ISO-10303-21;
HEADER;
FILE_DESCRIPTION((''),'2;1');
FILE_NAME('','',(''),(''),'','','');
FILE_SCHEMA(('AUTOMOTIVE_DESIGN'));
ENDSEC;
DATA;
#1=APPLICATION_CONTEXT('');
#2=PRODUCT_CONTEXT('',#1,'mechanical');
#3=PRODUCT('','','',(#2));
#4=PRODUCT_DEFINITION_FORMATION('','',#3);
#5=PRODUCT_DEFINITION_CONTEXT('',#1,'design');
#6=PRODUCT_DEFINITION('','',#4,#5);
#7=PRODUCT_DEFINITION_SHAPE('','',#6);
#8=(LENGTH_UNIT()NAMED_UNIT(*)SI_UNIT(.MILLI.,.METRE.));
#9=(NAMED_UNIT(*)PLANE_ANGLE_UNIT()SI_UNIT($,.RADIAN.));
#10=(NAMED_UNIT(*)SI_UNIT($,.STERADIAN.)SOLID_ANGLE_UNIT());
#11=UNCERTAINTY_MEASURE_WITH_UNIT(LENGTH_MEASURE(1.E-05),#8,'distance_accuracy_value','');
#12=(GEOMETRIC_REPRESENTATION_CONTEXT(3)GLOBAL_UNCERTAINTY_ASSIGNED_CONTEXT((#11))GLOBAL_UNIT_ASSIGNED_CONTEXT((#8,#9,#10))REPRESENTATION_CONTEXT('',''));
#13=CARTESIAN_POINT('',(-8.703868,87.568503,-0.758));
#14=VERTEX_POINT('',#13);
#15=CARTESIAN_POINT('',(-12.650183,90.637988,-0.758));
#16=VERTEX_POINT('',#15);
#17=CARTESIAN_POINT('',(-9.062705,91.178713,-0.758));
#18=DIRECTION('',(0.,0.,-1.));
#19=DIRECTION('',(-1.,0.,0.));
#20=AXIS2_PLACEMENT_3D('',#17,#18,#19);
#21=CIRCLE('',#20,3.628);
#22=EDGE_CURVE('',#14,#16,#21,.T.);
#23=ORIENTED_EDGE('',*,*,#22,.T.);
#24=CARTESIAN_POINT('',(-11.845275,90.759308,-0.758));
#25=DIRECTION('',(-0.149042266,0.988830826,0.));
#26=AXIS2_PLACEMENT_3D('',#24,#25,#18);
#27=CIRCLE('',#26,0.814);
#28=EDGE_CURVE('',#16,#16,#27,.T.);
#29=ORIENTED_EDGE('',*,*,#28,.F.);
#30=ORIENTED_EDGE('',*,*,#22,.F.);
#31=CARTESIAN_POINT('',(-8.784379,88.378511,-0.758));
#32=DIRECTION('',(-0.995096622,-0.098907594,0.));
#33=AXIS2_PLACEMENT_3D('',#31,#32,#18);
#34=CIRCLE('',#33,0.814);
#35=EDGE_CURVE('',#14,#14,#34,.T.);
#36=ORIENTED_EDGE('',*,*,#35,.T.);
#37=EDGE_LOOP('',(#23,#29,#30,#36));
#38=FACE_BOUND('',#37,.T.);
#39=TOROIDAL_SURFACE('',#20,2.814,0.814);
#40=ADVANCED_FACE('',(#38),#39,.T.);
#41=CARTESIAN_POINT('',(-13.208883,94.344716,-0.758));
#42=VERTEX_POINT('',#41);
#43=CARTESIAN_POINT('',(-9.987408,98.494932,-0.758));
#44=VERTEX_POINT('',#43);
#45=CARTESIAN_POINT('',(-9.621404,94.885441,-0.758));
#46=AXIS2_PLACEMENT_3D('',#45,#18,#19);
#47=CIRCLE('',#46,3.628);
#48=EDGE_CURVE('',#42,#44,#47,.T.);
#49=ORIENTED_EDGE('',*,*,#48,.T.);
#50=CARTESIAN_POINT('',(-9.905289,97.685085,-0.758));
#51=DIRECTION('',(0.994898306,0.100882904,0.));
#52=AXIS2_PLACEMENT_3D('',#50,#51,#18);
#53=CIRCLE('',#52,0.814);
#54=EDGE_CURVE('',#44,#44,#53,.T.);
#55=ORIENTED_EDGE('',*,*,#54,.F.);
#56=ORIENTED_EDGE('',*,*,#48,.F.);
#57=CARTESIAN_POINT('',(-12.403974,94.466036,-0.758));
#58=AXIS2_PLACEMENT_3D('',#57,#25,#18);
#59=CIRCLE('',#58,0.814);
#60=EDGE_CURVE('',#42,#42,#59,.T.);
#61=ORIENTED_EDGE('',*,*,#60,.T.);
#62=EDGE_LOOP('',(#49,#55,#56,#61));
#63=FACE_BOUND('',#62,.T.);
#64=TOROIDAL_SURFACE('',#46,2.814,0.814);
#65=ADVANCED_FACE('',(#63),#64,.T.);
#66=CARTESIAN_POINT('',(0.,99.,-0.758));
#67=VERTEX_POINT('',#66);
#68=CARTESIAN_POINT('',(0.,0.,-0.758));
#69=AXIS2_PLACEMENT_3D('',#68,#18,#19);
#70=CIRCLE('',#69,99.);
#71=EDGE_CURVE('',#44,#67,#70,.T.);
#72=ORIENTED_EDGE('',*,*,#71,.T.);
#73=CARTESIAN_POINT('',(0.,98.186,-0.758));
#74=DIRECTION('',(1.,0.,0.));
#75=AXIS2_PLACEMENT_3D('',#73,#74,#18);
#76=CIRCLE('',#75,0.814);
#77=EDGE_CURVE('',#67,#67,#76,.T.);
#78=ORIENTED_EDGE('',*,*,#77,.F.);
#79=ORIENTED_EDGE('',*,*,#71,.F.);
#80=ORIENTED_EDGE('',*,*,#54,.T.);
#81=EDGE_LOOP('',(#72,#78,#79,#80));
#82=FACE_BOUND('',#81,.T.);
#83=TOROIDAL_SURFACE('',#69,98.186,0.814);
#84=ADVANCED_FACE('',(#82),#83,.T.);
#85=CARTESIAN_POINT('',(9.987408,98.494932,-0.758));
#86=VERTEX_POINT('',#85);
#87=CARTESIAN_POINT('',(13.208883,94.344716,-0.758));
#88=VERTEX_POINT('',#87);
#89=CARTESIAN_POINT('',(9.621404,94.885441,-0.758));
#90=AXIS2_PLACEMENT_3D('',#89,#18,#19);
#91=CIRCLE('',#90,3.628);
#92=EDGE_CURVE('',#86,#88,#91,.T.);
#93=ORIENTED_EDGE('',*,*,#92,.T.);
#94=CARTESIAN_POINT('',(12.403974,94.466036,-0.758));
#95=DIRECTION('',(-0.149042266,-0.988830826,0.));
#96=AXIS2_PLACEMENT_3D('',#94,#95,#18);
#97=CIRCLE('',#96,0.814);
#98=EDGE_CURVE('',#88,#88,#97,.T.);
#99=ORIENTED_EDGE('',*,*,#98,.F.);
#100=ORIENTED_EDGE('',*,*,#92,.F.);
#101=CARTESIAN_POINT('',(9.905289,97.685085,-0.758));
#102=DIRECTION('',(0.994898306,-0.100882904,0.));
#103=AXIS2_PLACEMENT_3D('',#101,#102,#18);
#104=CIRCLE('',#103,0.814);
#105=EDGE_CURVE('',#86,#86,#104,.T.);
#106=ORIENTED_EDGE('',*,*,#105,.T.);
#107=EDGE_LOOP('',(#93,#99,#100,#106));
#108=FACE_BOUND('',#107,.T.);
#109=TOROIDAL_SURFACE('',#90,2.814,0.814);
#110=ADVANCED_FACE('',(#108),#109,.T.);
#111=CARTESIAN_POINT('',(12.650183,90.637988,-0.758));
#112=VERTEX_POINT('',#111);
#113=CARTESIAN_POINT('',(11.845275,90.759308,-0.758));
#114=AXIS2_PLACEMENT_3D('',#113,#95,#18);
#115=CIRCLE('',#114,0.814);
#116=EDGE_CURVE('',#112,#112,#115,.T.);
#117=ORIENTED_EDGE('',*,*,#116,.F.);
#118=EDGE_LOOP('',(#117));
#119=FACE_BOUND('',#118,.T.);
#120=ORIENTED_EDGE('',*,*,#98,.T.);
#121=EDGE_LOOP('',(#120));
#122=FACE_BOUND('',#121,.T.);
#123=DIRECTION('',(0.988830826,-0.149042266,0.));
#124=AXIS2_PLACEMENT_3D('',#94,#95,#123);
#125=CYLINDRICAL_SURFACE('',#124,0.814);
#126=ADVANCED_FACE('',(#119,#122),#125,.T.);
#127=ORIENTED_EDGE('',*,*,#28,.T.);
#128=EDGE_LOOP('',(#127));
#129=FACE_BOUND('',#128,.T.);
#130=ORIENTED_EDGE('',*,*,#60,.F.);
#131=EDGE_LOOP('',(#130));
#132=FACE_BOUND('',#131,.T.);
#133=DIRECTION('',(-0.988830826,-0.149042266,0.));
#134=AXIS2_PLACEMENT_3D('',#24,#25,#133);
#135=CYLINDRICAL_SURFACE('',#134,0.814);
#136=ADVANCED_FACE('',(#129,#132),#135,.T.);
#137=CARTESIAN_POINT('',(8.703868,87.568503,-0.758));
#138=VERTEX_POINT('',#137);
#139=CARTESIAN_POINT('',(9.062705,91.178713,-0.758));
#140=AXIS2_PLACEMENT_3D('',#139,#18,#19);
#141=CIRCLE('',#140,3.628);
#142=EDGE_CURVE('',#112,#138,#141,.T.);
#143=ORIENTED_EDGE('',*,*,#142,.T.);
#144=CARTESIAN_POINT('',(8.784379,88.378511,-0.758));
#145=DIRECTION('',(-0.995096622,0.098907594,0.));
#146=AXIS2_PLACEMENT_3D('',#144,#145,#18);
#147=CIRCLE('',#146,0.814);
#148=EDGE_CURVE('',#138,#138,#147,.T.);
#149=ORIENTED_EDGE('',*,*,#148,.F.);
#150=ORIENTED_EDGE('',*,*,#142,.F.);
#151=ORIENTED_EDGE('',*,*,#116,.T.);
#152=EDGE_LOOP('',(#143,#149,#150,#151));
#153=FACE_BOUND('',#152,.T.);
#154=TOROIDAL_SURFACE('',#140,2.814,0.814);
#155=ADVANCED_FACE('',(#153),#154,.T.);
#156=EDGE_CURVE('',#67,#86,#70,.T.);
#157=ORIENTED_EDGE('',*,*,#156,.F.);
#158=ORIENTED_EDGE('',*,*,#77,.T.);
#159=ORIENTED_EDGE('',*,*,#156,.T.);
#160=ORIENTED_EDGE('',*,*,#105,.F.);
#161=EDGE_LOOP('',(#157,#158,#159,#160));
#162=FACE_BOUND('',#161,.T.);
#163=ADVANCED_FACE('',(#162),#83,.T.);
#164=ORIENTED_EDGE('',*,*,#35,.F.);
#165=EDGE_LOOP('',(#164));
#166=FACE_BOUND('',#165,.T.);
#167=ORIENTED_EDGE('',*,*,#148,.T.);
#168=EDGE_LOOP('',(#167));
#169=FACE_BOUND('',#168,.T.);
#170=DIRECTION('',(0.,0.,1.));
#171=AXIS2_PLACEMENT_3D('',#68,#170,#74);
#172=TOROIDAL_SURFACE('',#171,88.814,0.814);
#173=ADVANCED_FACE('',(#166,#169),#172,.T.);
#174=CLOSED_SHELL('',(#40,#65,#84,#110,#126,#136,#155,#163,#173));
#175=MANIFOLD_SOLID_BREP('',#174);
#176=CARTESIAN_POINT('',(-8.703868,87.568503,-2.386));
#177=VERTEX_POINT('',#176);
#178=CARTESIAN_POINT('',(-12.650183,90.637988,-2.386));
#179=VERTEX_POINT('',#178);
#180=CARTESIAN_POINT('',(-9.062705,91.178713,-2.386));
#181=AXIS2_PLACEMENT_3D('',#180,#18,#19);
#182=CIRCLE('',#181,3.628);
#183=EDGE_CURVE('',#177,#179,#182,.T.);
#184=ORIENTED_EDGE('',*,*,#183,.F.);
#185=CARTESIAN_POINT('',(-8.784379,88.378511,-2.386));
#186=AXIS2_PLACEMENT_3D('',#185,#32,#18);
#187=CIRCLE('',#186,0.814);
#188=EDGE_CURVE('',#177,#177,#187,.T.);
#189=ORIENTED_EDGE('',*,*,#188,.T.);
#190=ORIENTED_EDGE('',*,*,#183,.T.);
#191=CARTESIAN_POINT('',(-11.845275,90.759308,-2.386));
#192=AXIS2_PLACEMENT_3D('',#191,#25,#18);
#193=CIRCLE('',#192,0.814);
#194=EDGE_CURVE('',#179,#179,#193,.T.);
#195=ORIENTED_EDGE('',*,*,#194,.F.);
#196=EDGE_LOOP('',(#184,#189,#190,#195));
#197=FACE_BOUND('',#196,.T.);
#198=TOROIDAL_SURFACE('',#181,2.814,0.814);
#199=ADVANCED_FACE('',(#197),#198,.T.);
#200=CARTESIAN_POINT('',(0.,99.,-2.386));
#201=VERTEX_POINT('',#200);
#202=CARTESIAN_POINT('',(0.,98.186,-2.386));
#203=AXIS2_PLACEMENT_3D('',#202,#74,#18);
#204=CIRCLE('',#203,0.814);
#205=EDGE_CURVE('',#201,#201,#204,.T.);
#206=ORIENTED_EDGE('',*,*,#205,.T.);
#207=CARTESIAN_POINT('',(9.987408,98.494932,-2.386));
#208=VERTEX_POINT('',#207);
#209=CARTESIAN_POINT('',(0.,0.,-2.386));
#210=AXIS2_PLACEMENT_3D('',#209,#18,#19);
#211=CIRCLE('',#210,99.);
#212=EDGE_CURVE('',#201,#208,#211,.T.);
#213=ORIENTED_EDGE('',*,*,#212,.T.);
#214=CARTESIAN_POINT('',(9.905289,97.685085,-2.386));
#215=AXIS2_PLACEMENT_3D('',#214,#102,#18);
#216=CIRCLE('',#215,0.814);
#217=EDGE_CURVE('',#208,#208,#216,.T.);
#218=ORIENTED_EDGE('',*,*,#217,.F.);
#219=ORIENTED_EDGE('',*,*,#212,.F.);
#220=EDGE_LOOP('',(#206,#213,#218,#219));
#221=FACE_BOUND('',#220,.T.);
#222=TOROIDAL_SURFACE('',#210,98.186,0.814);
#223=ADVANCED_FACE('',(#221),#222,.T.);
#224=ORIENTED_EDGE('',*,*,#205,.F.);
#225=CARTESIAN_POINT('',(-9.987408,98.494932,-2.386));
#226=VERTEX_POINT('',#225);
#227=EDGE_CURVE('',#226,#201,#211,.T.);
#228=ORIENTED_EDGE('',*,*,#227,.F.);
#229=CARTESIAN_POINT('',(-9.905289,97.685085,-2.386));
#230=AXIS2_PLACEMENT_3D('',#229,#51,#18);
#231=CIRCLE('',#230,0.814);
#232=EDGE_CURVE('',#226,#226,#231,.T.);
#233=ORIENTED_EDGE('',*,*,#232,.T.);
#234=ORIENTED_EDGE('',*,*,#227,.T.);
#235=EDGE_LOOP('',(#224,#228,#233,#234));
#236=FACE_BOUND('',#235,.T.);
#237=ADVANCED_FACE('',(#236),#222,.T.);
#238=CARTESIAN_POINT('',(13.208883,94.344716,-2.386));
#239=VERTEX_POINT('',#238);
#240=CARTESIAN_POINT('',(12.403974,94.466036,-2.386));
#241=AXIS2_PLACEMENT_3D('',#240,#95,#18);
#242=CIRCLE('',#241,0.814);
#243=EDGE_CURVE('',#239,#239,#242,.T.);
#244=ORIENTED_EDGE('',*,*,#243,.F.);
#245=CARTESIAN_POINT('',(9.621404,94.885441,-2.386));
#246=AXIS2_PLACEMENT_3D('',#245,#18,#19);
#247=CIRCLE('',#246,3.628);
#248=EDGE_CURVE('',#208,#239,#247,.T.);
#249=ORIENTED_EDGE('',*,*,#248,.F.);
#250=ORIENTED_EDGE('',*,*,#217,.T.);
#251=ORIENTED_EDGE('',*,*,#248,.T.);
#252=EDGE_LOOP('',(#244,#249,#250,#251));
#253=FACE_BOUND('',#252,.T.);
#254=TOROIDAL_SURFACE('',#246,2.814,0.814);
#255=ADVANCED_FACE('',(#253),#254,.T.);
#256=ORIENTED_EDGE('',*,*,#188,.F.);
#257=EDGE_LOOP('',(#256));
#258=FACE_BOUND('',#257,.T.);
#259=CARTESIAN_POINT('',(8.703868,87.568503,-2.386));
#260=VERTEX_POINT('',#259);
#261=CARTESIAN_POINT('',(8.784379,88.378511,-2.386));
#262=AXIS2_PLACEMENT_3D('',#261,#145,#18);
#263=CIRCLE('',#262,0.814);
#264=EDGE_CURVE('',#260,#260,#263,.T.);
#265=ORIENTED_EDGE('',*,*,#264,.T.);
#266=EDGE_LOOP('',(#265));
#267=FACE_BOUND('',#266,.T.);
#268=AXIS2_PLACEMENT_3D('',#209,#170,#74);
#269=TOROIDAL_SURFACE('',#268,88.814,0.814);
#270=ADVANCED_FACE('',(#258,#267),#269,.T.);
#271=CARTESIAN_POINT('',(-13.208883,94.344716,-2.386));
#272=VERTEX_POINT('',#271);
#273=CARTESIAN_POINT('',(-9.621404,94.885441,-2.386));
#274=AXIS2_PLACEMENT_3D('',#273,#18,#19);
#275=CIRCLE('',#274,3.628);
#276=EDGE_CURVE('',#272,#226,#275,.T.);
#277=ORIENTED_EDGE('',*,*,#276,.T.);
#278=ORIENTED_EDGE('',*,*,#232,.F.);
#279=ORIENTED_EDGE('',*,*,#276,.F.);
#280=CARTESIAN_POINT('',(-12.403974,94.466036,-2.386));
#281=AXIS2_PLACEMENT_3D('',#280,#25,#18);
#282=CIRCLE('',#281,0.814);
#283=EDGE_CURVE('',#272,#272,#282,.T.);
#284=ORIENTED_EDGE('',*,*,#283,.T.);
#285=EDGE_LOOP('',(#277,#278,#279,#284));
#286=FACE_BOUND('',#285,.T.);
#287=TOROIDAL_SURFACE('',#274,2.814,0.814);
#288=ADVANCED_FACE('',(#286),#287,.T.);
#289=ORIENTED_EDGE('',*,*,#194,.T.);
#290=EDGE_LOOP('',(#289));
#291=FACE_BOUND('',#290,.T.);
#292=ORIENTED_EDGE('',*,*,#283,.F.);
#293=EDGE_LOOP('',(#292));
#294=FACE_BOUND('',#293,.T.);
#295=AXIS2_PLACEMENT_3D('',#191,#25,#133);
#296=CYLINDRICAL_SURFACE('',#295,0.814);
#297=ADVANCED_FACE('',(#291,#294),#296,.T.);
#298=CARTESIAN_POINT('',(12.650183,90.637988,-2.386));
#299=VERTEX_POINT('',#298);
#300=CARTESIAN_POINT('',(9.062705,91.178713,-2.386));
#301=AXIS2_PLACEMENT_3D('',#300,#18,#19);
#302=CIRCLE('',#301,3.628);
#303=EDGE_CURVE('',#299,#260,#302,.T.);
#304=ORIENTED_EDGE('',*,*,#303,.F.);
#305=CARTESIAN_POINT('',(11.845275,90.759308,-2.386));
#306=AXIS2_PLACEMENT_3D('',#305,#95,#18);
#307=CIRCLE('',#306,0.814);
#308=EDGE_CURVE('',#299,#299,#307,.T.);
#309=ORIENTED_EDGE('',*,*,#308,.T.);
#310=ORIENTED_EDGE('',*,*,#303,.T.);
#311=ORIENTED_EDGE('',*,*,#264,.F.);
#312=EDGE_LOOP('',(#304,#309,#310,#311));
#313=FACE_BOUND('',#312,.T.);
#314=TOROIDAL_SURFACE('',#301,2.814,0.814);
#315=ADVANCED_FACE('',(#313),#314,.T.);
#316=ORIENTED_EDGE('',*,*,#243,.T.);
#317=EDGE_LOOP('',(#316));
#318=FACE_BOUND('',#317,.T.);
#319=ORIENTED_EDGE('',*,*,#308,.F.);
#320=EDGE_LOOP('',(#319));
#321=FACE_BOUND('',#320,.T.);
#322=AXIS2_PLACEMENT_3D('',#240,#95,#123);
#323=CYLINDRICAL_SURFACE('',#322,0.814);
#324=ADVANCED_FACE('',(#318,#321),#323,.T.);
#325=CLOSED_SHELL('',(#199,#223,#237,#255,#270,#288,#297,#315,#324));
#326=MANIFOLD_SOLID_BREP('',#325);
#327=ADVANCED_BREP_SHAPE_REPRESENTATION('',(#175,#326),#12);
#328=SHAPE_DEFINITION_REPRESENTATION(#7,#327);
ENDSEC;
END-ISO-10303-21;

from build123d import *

# Parameters (mm, degrees)
SKETCH4_R       = 0.814
LPATTERN1_COUNT = 2
LPATTERN1_PITCH = 1.628


with BuildPart() as part:
    # Sweep2: sweep along a path in Sketch3
    with BuildLine(Plane.XY.offset(-2.386)) as sweep2_path:
        Line((11.845274932, 90.759308381), (12.403974274, 94.466036321))
        ThreePointArc((12.403974274, 94.466036321), (11.844320083, 96.610909759), (9.905288821, 97.685085092))
        ThreePointArc((9.905288821, 97.685085092), (0, 98.186), (-9.905288821, 97.685085092))
        ThreePointArc((-9.905288821, 97.685085092), (-11.844320083, 96.610909759), (-12.403974274, 94.466036321))
        Line((-12.403974274, 94.466036321), (-11.845274932, 90.759308381))
        ThreePointArc((-11.845274932, 90.759308381), (-10.79037915, 88.957511394), (-8.784379018, 88.378511423))
        ThreePointArc((-8.784379018, 88.378511423), (0, 88.814), (8.784379018, 88.378511423))
        ThreePointArc((8.784379018, 88.378511423), (10.79037915, 88.957511394), (11.845274932, 90.759308381))
    # Sketch4 → Sweep2 (sweep)
    with BuildSketch(Plane(origin=(0, 0, 0), x_dir=(0, 0, -1), z_dir=(1, 0, 0))):
        with Locations((2.386, 98.186)):
            Circle(SKETCH4_R)
    sweep(path=sweep2_path.line)


with BuildPart() as lpattern1_1:
    # LPattern1: pattern copy
    add(part.part.moved(Location(Vector(0, 0, 1) * (1 * LPATTERN1_PITCH))))


solid = Compound([part.part, lpattern1_1.part])
